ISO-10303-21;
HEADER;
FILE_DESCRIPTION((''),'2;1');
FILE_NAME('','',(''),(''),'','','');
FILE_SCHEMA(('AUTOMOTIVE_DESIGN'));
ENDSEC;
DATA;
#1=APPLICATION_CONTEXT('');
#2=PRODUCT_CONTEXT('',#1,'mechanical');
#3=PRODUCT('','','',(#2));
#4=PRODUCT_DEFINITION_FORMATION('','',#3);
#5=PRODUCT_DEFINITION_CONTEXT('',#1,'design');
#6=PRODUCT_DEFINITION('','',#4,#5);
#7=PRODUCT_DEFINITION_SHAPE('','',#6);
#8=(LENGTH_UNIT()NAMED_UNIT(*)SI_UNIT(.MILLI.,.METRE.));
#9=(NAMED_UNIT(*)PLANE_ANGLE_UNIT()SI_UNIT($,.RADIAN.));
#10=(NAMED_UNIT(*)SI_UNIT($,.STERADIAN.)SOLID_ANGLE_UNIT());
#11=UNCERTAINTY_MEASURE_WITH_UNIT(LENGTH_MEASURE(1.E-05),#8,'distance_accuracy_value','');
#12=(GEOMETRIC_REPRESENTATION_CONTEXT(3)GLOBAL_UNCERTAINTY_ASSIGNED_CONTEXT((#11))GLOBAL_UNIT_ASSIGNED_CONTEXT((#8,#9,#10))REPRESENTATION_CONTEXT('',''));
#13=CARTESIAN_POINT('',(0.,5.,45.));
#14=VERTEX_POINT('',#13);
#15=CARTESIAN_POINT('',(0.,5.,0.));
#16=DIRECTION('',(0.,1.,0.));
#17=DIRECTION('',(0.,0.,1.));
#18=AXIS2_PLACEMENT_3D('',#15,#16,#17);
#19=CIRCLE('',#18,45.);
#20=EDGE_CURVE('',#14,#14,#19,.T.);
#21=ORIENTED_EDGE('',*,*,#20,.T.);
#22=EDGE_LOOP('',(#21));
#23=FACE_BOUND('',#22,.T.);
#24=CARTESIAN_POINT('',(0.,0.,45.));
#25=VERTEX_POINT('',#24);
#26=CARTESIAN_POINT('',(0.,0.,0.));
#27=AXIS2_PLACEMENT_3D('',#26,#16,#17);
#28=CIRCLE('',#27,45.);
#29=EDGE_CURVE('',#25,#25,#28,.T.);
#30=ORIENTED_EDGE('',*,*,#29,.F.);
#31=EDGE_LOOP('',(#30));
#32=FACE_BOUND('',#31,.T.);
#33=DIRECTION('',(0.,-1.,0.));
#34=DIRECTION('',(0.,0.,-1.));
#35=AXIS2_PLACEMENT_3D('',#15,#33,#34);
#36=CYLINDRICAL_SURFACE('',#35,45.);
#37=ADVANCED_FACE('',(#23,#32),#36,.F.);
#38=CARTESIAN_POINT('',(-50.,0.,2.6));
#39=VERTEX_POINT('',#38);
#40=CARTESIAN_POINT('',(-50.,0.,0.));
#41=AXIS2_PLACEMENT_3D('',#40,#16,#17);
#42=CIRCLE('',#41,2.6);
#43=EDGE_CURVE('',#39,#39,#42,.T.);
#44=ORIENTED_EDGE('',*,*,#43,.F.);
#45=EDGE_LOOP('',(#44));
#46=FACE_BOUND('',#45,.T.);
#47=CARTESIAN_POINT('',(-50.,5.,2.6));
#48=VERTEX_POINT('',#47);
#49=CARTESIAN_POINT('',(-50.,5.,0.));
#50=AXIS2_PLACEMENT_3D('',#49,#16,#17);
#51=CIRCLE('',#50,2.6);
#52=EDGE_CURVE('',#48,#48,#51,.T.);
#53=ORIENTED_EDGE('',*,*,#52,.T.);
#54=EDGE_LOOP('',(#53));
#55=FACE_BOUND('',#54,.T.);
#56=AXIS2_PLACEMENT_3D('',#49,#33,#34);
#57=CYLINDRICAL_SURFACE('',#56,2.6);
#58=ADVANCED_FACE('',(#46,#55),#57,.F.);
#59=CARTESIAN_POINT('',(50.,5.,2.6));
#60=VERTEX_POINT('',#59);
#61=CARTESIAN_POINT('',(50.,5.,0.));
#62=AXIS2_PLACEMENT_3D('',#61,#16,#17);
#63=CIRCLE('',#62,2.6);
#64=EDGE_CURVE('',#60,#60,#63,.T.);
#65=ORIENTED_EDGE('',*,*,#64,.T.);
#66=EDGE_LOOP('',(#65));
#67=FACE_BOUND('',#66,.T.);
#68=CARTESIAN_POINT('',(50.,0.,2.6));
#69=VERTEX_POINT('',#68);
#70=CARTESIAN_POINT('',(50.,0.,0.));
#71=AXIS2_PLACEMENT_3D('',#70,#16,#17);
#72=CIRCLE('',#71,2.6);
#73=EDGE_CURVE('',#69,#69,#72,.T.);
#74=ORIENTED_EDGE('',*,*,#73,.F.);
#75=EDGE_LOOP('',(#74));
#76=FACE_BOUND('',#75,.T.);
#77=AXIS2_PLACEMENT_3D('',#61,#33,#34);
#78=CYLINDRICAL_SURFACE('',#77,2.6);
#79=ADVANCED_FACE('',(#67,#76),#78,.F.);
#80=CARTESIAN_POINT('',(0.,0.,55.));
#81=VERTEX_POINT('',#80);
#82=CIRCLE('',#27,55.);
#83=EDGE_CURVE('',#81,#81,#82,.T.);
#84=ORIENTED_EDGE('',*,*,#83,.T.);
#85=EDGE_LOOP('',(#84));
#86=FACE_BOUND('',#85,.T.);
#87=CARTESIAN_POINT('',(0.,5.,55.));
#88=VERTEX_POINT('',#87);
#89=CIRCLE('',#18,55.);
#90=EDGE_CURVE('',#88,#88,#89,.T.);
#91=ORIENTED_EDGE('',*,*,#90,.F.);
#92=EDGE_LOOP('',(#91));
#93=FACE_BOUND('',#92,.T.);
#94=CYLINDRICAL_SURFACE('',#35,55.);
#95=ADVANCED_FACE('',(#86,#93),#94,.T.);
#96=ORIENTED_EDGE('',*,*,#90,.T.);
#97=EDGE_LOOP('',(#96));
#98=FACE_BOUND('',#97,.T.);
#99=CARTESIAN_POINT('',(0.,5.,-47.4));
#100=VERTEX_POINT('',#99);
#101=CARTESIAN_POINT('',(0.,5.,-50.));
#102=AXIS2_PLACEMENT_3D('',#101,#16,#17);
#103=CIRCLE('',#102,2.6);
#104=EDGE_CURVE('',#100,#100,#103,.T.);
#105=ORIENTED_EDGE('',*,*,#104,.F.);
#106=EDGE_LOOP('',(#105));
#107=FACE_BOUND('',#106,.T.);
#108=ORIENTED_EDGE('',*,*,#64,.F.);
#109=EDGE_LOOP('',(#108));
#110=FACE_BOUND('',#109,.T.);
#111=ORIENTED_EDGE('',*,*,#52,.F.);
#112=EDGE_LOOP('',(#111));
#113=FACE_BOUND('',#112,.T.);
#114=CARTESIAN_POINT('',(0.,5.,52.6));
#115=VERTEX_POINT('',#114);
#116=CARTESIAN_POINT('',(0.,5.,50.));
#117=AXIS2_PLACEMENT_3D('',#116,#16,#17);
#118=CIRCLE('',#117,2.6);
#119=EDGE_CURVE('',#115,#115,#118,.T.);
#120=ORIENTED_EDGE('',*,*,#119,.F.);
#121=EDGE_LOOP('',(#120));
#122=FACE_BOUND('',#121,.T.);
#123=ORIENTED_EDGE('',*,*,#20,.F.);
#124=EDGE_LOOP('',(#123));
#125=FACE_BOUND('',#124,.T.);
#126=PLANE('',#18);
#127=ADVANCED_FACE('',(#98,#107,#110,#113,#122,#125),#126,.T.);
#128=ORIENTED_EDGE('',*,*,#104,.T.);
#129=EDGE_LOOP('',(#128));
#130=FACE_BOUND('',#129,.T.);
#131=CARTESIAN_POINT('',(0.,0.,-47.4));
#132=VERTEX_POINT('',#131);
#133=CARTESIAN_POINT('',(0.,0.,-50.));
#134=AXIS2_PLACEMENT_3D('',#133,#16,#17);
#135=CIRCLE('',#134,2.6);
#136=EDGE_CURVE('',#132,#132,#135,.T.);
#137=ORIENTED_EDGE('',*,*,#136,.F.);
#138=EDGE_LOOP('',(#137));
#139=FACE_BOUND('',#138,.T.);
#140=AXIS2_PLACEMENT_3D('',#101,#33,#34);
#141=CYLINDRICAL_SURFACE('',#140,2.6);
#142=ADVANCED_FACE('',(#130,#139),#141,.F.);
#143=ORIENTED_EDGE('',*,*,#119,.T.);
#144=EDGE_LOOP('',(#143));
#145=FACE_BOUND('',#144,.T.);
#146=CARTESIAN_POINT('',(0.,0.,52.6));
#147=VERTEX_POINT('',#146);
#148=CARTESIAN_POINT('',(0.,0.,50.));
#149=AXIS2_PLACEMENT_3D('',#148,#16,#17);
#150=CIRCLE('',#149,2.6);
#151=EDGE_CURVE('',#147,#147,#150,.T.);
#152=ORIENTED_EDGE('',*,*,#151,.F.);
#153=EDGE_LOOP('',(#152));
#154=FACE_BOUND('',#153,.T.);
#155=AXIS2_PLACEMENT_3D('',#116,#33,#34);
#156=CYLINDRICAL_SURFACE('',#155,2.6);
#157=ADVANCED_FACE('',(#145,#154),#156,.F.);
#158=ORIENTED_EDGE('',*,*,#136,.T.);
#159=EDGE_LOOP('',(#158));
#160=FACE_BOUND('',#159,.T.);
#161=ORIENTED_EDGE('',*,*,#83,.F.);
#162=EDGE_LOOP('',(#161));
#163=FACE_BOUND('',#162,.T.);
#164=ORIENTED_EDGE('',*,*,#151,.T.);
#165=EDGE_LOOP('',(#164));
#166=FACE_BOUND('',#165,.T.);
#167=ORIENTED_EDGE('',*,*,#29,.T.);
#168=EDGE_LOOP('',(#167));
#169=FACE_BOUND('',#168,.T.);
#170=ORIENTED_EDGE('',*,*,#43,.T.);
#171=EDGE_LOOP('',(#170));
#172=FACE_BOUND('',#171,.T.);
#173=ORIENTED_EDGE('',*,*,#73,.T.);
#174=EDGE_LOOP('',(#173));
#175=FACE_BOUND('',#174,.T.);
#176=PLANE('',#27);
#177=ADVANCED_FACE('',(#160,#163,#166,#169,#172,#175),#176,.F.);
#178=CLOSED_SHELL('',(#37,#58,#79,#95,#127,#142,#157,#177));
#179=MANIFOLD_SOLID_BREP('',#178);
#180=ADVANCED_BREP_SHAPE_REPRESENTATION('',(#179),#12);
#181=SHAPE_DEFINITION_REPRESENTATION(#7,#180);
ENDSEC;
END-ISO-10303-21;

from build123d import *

# Parameters (mm, degrees)
SKETCH1_R           = 55
SKETCH1_R_2         = 45
SKETCH1_R_3         = 2.6
BOSS_EXTRUDE1_DEPTH = 5


with BuildPart() as part:
    # Sketch1 → Boss-Extrude1 (new body)
    with BuildSketch(Plane(origin=(0, 0, 0), x_dir=(1, 0, 0), z_dir=(0, 1, 0))):
        with Locations(Location((0, 0, 0), (0, 0, 270))):
            Circle(SKETCH1_R)
        with Locations(Location((0, 0, 0), (0, 0, 270))):
            Circle(SKETCH1_R_2, mode=Mode.SUBTRACT)
        with Locations(Location((0, 50, 0), (0, 0, 270))):
            Circle(SKETCH1_R_3, mode=Mode.SUBTRACT)
        with Locations(Location((50, 0, 0), (0, 0, 270))):
            Circle(SKETCH1_R_3, mode=Mode.SUBTRACT)
        with Locations(Location((0, -50, 0), (0, 0, 270))):
            Circle(SKETCH1_R_3, mode=Mode.SUBTRACT)
        with Locations(Location((-50, 0, 0), (0, 0, 270))):
            Circle(SKETCH1_R_3, mode=Mode.SUBTRACT)
    extrude(amount=BOSS_EXTRUDE1_DEPTH)


solid = part.part
